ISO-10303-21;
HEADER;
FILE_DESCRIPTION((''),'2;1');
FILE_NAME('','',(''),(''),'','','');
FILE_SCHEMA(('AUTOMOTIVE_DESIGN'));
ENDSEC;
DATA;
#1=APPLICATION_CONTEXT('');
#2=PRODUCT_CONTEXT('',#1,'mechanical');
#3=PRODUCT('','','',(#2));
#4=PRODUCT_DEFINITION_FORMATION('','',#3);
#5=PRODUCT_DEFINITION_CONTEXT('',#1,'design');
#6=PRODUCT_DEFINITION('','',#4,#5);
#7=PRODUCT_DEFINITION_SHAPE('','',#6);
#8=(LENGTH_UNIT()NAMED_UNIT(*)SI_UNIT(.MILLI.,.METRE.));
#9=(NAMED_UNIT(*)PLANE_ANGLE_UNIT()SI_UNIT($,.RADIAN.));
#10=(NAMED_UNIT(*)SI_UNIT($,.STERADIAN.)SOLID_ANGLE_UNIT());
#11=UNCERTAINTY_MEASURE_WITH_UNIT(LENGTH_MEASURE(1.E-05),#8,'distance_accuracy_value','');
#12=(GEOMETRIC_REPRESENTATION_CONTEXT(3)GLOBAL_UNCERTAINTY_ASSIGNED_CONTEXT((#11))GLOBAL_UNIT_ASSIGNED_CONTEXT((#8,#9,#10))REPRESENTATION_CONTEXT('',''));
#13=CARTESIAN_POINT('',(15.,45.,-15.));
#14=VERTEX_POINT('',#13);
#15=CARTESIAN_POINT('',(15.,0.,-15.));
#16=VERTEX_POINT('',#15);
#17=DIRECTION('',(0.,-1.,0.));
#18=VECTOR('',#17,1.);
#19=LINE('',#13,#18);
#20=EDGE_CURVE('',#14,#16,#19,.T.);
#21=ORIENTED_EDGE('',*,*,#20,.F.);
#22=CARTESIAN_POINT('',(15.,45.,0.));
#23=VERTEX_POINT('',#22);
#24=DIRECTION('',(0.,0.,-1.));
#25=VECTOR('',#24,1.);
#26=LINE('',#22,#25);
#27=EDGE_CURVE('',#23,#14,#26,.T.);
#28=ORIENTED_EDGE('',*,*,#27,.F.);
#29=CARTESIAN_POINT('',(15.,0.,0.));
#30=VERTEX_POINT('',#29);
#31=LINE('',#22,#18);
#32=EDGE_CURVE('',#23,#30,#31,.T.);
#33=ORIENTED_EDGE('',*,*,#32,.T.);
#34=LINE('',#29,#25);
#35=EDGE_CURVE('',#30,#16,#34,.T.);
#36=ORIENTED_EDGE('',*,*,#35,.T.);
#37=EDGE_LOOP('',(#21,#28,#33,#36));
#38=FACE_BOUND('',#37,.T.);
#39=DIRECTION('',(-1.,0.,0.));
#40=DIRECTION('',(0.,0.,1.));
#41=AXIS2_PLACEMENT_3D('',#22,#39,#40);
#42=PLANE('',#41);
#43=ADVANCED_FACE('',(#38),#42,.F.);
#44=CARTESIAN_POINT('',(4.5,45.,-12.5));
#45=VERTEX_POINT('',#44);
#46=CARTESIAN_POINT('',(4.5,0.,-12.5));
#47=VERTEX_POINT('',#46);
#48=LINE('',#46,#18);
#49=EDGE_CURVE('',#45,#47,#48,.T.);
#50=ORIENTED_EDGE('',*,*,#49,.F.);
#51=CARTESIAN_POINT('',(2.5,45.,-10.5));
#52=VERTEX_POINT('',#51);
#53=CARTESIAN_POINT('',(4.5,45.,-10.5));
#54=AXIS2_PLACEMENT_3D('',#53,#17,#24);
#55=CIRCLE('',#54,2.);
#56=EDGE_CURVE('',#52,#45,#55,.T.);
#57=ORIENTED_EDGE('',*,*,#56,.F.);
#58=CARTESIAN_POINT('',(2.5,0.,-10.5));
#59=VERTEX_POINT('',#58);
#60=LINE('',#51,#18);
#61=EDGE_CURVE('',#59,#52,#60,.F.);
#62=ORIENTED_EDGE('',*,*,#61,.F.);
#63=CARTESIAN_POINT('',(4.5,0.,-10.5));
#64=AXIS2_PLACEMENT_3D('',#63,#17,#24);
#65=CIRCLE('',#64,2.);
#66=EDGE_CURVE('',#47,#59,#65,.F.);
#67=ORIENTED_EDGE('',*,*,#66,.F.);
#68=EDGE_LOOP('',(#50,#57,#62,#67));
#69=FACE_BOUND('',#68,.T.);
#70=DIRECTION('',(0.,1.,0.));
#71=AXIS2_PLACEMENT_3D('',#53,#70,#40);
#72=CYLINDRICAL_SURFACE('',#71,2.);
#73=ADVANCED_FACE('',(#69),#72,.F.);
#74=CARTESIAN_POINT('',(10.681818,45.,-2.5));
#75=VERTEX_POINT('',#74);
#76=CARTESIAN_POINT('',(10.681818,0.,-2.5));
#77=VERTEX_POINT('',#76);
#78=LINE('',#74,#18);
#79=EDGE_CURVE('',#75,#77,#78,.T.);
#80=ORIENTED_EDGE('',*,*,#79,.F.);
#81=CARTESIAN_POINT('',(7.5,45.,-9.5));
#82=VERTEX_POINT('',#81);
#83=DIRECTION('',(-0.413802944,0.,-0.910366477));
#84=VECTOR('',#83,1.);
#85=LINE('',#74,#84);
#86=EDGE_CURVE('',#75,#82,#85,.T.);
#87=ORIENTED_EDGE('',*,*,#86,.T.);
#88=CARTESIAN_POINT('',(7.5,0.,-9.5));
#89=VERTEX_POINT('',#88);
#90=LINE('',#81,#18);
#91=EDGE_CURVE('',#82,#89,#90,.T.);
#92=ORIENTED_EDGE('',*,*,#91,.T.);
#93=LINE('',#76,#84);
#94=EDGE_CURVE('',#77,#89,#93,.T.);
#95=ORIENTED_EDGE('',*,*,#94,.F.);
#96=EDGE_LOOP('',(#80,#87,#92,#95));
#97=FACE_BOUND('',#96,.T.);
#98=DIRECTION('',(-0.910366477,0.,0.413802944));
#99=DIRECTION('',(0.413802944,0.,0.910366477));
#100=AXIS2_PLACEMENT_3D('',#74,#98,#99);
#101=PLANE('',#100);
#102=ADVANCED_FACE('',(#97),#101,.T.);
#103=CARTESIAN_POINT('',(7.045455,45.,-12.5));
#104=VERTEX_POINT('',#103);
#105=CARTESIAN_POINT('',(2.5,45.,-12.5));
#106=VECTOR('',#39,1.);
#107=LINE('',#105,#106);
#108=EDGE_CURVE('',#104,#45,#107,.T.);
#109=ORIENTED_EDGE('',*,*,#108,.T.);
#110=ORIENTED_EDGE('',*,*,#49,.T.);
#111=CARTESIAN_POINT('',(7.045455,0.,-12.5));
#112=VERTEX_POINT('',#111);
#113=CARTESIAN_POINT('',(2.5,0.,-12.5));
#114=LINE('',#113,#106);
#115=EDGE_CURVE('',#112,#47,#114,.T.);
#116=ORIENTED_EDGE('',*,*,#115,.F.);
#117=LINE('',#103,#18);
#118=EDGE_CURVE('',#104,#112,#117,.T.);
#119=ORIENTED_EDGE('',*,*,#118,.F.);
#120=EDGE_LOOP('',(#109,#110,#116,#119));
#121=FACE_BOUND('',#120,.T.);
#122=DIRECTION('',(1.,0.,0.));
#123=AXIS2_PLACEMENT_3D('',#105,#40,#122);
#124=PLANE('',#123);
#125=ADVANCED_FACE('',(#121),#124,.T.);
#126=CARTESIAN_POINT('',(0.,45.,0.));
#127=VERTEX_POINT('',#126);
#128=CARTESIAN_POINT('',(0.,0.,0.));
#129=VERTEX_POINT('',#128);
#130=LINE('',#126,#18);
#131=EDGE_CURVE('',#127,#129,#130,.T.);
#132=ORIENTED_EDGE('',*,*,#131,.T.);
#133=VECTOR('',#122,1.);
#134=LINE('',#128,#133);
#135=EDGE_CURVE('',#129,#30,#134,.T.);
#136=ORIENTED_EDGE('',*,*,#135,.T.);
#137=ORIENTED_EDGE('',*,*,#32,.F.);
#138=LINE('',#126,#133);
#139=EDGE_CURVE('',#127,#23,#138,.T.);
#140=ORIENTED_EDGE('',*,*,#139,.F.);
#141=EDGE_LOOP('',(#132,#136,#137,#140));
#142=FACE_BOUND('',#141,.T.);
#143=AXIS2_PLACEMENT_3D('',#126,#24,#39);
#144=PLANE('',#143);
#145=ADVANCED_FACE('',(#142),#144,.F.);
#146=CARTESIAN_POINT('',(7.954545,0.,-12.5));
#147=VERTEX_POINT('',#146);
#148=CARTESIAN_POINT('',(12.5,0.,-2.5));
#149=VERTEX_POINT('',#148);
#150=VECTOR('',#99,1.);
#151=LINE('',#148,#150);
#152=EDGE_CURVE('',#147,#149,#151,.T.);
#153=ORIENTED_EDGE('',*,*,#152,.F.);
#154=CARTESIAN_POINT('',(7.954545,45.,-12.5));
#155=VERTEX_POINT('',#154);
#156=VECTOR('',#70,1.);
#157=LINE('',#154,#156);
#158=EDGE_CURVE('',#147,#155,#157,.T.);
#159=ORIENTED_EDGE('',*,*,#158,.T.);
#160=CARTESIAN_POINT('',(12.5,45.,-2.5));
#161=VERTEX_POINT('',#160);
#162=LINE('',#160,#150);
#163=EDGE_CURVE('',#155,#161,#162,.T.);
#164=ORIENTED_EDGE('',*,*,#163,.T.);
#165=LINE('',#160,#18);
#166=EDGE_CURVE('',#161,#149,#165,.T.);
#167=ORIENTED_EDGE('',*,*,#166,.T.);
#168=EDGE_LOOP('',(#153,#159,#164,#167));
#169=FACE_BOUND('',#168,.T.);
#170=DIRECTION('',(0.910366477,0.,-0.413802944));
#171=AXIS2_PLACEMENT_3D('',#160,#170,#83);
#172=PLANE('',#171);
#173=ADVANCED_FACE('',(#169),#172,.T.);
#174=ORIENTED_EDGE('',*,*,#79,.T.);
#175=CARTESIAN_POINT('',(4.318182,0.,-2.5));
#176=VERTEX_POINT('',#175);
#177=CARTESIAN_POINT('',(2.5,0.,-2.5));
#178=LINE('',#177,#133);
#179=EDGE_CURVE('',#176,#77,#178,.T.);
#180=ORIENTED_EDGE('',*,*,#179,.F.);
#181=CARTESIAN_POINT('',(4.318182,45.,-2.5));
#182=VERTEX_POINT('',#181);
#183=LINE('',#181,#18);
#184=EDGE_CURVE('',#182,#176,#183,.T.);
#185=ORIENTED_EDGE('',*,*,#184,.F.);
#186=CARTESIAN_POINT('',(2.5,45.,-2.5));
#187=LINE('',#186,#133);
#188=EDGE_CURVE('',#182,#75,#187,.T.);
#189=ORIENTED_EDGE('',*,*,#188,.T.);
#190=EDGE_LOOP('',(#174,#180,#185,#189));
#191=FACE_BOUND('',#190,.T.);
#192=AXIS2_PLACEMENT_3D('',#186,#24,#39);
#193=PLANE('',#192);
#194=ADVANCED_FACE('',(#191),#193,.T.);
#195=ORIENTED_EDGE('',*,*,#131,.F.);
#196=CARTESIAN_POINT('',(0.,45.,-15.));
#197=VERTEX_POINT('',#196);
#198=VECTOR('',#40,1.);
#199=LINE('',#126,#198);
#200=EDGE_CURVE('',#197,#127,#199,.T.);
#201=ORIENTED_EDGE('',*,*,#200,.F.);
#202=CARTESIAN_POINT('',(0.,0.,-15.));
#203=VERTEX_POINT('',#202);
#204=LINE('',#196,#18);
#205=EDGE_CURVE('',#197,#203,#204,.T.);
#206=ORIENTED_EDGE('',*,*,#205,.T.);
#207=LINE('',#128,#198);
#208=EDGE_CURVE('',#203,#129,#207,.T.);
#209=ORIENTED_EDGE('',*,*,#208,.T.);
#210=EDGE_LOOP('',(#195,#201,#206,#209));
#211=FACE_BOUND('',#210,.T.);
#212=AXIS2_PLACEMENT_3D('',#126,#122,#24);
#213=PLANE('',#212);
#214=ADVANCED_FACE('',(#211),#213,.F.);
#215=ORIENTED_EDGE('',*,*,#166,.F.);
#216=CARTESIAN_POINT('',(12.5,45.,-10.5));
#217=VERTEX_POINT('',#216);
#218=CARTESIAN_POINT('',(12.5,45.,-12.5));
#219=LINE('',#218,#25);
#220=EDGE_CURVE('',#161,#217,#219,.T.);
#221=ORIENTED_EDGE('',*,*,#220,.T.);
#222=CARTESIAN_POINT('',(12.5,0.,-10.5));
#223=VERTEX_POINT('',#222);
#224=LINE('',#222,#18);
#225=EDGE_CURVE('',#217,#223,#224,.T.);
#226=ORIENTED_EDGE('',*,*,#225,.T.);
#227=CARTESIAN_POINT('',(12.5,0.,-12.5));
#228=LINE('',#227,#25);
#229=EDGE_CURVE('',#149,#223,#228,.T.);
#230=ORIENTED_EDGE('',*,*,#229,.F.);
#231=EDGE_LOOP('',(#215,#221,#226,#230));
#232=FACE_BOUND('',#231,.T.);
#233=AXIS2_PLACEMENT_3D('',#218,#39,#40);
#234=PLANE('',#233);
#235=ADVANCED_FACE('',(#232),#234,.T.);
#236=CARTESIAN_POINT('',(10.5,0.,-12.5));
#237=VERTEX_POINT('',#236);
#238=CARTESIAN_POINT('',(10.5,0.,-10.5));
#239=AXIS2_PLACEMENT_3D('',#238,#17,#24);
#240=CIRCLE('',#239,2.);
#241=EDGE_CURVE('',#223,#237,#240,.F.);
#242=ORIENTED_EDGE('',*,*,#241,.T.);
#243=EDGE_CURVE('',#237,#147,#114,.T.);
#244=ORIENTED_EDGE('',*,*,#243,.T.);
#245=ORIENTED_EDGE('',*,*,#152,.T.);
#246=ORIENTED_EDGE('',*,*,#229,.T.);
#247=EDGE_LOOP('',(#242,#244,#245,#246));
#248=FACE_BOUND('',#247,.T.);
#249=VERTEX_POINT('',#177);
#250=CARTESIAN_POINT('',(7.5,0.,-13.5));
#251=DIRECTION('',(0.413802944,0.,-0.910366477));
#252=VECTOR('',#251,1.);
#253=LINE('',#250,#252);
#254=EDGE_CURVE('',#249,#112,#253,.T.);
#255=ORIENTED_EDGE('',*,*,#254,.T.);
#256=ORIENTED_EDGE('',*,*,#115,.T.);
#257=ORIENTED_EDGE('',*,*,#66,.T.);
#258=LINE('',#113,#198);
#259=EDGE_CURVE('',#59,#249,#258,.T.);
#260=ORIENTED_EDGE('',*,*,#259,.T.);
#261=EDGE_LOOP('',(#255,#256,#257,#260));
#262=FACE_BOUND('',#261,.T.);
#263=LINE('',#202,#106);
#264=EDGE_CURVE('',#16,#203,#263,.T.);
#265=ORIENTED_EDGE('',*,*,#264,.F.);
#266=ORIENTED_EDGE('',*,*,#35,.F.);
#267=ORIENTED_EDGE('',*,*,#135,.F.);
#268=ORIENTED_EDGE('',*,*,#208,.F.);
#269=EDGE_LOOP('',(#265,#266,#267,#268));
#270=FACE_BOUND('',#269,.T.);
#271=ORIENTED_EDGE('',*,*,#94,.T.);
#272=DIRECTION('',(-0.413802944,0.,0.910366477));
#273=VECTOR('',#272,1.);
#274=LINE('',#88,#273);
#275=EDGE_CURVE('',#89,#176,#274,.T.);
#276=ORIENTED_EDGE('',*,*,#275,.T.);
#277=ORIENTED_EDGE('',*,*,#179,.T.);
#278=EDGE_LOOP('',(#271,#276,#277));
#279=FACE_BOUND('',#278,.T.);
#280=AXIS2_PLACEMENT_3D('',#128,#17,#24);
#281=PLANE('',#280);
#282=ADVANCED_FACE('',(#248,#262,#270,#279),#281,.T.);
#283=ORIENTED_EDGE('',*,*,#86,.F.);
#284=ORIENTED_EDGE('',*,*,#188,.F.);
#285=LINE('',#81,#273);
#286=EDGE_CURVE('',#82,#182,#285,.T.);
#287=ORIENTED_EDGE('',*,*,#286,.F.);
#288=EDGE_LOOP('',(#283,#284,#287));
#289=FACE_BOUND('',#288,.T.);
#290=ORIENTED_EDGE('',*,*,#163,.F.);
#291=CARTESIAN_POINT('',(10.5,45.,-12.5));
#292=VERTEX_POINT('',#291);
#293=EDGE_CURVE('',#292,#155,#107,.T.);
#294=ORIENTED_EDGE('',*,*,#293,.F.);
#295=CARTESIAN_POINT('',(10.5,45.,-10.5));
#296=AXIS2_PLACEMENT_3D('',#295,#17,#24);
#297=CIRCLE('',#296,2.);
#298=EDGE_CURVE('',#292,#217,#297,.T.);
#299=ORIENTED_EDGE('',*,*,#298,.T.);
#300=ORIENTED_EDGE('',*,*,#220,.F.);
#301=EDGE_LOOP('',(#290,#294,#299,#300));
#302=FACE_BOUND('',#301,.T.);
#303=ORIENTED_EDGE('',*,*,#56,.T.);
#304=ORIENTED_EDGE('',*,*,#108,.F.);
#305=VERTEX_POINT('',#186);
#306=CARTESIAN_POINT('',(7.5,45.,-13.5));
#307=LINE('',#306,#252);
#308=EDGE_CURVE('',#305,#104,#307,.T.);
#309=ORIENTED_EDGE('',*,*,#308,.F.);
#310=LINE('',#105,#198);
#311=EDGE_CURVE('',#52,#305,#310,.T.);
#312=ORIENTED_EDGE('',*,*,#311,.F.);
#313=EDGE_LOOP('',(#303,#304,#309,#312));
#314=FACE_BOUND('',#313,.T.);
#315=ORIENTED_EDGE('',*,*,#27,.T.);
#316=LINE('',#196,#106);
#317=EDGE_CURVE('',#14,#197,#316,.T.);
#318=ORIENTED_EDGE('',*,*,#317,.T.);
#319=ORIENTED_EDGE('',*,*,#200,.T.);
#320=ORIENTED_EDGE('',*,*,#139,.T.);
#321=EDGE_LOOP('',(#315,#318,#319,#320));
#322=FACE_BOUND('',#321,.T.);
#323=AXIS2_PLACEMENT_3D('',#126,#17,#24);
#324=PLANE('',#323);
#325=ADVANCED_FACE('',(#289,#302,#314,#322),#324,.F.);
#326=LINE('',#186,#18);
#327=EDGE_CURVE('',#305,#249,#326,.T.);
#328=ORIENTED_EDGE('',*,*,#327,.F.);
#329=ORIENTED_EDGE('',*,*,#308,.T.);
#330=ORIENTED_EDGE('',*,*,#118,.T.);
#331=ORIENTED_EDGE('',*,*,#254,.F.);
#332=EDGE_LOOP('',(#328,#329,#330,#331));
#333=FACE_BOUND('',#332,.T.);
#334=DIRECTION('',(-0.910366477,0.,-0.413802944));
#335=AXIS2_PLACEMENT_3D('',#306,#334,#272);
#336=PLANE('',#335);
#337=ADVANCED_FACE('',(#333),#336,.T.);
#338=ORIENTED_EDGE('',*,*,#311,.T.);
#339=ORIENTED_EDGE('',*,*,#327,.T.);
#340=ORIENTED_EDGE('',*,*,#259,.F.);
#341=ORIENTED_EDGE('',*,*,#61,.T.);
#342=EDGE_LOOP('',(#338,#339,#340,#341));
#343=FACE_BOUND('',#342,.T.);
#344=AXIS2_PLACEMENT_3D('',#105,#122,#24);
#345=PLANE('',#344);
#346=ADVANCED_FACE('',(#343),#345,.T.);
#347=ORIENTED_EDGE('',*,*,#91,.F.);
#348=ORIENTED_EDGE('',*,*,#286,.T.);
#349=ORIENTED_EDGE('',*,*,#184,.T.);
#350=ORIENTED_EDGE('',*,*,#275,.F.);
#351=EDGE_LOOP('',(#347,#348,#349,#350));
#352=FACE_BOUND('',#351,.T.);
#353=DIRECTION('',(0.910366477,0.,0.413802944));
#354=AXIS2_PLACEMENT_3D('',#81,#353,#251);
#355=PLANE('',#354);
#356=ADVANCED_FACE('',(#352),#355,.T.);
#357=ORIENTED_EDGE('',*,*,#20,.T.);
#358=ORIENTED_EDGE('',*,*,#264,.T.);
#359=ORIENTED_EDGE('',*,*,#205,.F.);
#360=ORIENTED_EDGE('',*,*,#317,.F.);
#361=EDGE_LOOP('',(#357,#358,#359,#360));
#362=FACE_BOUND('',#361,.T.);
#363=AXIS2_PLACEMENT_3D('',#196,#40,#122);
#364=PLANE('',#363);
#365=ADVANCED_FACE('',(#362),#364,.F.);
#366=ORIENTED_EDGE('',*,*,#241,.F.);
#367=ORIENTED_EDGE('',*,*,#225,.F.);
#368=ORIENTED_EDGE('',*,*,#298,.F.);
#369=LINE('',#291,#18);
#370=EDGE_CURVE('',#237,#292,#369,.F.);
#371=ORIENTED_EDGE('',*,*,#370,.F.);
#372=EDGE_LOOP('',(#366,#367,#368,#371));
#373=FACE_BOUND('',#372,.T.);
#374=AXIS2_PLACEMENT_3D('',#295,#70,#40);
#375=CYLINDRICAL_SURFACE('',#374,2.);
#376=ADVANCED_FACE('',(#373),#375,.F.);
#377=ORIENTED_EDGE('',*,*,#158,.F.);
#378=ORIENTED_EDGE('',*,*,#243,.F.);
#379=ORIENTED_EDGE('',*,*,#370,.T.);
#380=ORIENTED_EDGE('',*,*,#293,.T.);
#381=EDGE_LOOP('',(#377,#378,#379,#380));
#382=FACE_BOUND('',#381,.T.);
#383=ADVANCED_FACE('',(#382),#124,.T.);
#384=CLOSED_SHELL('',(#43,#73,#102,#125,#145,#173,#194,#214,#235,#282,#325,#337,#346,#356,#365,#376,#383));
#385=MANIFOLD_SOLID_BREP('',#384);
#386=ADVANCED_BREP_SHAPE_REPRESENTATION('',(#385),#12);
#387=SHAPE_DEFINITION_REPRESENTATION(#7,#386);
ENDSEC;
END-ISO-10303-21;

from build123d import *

# Parameters (mm, degrees)
SKETCH1_W           = 15
SKETCH1_H           = 15
SKETCH1_W_2         = 10
SKETCH1_H_2         = 10
BOSS_EXTRUDE1_DEPTH = 45
BOSS_EXTRUDE4_DEPTH = 45
FILLET2_R           = 2


with BuildPart() as part:
    # Sketch1 → Boss-Extrude1 (new body)
    with BuildSketch(Plane(origin=(0, 0, 0), x_dir=(1, 0, 0), z_dir=(0, 1, 0))):
        with Locations((7.5, 7.5)):
            Rectangle(SKETCH1_W, SKETCH1_H)
        with Locations((7.5, 7.5)):
            Rectangle(SKETCH1_W_2, SKETCH1_H_2, mode=Mode.SUBTRACT)
    extrude(amount=BOSS_EXTRUDE1_DEPTH)

    # Sketch3 → Boss-Extrude4 (add, through all)
    with BuildSketch(Plane.XZ):
        Polygon((12.5, -2.5), (7.5, -13.5), (2.5, -2.5), (4.318181818, -2.5), (7.5, -9.5), (10.681818182, -2.5), align=None)
    extrude(amount=-BOSS_EXTRUDE4_DEPTH)

    # Fillet2
    fillet2_edges = [part.edges().sort_by_distance(p)[0] for p in [
        (2.5, 22.5, -12.5),
        (12.5, 22.5, -12.5),
    ]]
    fillet(fillet2_edges, radius=FILLET2_R)


solid = part.part
